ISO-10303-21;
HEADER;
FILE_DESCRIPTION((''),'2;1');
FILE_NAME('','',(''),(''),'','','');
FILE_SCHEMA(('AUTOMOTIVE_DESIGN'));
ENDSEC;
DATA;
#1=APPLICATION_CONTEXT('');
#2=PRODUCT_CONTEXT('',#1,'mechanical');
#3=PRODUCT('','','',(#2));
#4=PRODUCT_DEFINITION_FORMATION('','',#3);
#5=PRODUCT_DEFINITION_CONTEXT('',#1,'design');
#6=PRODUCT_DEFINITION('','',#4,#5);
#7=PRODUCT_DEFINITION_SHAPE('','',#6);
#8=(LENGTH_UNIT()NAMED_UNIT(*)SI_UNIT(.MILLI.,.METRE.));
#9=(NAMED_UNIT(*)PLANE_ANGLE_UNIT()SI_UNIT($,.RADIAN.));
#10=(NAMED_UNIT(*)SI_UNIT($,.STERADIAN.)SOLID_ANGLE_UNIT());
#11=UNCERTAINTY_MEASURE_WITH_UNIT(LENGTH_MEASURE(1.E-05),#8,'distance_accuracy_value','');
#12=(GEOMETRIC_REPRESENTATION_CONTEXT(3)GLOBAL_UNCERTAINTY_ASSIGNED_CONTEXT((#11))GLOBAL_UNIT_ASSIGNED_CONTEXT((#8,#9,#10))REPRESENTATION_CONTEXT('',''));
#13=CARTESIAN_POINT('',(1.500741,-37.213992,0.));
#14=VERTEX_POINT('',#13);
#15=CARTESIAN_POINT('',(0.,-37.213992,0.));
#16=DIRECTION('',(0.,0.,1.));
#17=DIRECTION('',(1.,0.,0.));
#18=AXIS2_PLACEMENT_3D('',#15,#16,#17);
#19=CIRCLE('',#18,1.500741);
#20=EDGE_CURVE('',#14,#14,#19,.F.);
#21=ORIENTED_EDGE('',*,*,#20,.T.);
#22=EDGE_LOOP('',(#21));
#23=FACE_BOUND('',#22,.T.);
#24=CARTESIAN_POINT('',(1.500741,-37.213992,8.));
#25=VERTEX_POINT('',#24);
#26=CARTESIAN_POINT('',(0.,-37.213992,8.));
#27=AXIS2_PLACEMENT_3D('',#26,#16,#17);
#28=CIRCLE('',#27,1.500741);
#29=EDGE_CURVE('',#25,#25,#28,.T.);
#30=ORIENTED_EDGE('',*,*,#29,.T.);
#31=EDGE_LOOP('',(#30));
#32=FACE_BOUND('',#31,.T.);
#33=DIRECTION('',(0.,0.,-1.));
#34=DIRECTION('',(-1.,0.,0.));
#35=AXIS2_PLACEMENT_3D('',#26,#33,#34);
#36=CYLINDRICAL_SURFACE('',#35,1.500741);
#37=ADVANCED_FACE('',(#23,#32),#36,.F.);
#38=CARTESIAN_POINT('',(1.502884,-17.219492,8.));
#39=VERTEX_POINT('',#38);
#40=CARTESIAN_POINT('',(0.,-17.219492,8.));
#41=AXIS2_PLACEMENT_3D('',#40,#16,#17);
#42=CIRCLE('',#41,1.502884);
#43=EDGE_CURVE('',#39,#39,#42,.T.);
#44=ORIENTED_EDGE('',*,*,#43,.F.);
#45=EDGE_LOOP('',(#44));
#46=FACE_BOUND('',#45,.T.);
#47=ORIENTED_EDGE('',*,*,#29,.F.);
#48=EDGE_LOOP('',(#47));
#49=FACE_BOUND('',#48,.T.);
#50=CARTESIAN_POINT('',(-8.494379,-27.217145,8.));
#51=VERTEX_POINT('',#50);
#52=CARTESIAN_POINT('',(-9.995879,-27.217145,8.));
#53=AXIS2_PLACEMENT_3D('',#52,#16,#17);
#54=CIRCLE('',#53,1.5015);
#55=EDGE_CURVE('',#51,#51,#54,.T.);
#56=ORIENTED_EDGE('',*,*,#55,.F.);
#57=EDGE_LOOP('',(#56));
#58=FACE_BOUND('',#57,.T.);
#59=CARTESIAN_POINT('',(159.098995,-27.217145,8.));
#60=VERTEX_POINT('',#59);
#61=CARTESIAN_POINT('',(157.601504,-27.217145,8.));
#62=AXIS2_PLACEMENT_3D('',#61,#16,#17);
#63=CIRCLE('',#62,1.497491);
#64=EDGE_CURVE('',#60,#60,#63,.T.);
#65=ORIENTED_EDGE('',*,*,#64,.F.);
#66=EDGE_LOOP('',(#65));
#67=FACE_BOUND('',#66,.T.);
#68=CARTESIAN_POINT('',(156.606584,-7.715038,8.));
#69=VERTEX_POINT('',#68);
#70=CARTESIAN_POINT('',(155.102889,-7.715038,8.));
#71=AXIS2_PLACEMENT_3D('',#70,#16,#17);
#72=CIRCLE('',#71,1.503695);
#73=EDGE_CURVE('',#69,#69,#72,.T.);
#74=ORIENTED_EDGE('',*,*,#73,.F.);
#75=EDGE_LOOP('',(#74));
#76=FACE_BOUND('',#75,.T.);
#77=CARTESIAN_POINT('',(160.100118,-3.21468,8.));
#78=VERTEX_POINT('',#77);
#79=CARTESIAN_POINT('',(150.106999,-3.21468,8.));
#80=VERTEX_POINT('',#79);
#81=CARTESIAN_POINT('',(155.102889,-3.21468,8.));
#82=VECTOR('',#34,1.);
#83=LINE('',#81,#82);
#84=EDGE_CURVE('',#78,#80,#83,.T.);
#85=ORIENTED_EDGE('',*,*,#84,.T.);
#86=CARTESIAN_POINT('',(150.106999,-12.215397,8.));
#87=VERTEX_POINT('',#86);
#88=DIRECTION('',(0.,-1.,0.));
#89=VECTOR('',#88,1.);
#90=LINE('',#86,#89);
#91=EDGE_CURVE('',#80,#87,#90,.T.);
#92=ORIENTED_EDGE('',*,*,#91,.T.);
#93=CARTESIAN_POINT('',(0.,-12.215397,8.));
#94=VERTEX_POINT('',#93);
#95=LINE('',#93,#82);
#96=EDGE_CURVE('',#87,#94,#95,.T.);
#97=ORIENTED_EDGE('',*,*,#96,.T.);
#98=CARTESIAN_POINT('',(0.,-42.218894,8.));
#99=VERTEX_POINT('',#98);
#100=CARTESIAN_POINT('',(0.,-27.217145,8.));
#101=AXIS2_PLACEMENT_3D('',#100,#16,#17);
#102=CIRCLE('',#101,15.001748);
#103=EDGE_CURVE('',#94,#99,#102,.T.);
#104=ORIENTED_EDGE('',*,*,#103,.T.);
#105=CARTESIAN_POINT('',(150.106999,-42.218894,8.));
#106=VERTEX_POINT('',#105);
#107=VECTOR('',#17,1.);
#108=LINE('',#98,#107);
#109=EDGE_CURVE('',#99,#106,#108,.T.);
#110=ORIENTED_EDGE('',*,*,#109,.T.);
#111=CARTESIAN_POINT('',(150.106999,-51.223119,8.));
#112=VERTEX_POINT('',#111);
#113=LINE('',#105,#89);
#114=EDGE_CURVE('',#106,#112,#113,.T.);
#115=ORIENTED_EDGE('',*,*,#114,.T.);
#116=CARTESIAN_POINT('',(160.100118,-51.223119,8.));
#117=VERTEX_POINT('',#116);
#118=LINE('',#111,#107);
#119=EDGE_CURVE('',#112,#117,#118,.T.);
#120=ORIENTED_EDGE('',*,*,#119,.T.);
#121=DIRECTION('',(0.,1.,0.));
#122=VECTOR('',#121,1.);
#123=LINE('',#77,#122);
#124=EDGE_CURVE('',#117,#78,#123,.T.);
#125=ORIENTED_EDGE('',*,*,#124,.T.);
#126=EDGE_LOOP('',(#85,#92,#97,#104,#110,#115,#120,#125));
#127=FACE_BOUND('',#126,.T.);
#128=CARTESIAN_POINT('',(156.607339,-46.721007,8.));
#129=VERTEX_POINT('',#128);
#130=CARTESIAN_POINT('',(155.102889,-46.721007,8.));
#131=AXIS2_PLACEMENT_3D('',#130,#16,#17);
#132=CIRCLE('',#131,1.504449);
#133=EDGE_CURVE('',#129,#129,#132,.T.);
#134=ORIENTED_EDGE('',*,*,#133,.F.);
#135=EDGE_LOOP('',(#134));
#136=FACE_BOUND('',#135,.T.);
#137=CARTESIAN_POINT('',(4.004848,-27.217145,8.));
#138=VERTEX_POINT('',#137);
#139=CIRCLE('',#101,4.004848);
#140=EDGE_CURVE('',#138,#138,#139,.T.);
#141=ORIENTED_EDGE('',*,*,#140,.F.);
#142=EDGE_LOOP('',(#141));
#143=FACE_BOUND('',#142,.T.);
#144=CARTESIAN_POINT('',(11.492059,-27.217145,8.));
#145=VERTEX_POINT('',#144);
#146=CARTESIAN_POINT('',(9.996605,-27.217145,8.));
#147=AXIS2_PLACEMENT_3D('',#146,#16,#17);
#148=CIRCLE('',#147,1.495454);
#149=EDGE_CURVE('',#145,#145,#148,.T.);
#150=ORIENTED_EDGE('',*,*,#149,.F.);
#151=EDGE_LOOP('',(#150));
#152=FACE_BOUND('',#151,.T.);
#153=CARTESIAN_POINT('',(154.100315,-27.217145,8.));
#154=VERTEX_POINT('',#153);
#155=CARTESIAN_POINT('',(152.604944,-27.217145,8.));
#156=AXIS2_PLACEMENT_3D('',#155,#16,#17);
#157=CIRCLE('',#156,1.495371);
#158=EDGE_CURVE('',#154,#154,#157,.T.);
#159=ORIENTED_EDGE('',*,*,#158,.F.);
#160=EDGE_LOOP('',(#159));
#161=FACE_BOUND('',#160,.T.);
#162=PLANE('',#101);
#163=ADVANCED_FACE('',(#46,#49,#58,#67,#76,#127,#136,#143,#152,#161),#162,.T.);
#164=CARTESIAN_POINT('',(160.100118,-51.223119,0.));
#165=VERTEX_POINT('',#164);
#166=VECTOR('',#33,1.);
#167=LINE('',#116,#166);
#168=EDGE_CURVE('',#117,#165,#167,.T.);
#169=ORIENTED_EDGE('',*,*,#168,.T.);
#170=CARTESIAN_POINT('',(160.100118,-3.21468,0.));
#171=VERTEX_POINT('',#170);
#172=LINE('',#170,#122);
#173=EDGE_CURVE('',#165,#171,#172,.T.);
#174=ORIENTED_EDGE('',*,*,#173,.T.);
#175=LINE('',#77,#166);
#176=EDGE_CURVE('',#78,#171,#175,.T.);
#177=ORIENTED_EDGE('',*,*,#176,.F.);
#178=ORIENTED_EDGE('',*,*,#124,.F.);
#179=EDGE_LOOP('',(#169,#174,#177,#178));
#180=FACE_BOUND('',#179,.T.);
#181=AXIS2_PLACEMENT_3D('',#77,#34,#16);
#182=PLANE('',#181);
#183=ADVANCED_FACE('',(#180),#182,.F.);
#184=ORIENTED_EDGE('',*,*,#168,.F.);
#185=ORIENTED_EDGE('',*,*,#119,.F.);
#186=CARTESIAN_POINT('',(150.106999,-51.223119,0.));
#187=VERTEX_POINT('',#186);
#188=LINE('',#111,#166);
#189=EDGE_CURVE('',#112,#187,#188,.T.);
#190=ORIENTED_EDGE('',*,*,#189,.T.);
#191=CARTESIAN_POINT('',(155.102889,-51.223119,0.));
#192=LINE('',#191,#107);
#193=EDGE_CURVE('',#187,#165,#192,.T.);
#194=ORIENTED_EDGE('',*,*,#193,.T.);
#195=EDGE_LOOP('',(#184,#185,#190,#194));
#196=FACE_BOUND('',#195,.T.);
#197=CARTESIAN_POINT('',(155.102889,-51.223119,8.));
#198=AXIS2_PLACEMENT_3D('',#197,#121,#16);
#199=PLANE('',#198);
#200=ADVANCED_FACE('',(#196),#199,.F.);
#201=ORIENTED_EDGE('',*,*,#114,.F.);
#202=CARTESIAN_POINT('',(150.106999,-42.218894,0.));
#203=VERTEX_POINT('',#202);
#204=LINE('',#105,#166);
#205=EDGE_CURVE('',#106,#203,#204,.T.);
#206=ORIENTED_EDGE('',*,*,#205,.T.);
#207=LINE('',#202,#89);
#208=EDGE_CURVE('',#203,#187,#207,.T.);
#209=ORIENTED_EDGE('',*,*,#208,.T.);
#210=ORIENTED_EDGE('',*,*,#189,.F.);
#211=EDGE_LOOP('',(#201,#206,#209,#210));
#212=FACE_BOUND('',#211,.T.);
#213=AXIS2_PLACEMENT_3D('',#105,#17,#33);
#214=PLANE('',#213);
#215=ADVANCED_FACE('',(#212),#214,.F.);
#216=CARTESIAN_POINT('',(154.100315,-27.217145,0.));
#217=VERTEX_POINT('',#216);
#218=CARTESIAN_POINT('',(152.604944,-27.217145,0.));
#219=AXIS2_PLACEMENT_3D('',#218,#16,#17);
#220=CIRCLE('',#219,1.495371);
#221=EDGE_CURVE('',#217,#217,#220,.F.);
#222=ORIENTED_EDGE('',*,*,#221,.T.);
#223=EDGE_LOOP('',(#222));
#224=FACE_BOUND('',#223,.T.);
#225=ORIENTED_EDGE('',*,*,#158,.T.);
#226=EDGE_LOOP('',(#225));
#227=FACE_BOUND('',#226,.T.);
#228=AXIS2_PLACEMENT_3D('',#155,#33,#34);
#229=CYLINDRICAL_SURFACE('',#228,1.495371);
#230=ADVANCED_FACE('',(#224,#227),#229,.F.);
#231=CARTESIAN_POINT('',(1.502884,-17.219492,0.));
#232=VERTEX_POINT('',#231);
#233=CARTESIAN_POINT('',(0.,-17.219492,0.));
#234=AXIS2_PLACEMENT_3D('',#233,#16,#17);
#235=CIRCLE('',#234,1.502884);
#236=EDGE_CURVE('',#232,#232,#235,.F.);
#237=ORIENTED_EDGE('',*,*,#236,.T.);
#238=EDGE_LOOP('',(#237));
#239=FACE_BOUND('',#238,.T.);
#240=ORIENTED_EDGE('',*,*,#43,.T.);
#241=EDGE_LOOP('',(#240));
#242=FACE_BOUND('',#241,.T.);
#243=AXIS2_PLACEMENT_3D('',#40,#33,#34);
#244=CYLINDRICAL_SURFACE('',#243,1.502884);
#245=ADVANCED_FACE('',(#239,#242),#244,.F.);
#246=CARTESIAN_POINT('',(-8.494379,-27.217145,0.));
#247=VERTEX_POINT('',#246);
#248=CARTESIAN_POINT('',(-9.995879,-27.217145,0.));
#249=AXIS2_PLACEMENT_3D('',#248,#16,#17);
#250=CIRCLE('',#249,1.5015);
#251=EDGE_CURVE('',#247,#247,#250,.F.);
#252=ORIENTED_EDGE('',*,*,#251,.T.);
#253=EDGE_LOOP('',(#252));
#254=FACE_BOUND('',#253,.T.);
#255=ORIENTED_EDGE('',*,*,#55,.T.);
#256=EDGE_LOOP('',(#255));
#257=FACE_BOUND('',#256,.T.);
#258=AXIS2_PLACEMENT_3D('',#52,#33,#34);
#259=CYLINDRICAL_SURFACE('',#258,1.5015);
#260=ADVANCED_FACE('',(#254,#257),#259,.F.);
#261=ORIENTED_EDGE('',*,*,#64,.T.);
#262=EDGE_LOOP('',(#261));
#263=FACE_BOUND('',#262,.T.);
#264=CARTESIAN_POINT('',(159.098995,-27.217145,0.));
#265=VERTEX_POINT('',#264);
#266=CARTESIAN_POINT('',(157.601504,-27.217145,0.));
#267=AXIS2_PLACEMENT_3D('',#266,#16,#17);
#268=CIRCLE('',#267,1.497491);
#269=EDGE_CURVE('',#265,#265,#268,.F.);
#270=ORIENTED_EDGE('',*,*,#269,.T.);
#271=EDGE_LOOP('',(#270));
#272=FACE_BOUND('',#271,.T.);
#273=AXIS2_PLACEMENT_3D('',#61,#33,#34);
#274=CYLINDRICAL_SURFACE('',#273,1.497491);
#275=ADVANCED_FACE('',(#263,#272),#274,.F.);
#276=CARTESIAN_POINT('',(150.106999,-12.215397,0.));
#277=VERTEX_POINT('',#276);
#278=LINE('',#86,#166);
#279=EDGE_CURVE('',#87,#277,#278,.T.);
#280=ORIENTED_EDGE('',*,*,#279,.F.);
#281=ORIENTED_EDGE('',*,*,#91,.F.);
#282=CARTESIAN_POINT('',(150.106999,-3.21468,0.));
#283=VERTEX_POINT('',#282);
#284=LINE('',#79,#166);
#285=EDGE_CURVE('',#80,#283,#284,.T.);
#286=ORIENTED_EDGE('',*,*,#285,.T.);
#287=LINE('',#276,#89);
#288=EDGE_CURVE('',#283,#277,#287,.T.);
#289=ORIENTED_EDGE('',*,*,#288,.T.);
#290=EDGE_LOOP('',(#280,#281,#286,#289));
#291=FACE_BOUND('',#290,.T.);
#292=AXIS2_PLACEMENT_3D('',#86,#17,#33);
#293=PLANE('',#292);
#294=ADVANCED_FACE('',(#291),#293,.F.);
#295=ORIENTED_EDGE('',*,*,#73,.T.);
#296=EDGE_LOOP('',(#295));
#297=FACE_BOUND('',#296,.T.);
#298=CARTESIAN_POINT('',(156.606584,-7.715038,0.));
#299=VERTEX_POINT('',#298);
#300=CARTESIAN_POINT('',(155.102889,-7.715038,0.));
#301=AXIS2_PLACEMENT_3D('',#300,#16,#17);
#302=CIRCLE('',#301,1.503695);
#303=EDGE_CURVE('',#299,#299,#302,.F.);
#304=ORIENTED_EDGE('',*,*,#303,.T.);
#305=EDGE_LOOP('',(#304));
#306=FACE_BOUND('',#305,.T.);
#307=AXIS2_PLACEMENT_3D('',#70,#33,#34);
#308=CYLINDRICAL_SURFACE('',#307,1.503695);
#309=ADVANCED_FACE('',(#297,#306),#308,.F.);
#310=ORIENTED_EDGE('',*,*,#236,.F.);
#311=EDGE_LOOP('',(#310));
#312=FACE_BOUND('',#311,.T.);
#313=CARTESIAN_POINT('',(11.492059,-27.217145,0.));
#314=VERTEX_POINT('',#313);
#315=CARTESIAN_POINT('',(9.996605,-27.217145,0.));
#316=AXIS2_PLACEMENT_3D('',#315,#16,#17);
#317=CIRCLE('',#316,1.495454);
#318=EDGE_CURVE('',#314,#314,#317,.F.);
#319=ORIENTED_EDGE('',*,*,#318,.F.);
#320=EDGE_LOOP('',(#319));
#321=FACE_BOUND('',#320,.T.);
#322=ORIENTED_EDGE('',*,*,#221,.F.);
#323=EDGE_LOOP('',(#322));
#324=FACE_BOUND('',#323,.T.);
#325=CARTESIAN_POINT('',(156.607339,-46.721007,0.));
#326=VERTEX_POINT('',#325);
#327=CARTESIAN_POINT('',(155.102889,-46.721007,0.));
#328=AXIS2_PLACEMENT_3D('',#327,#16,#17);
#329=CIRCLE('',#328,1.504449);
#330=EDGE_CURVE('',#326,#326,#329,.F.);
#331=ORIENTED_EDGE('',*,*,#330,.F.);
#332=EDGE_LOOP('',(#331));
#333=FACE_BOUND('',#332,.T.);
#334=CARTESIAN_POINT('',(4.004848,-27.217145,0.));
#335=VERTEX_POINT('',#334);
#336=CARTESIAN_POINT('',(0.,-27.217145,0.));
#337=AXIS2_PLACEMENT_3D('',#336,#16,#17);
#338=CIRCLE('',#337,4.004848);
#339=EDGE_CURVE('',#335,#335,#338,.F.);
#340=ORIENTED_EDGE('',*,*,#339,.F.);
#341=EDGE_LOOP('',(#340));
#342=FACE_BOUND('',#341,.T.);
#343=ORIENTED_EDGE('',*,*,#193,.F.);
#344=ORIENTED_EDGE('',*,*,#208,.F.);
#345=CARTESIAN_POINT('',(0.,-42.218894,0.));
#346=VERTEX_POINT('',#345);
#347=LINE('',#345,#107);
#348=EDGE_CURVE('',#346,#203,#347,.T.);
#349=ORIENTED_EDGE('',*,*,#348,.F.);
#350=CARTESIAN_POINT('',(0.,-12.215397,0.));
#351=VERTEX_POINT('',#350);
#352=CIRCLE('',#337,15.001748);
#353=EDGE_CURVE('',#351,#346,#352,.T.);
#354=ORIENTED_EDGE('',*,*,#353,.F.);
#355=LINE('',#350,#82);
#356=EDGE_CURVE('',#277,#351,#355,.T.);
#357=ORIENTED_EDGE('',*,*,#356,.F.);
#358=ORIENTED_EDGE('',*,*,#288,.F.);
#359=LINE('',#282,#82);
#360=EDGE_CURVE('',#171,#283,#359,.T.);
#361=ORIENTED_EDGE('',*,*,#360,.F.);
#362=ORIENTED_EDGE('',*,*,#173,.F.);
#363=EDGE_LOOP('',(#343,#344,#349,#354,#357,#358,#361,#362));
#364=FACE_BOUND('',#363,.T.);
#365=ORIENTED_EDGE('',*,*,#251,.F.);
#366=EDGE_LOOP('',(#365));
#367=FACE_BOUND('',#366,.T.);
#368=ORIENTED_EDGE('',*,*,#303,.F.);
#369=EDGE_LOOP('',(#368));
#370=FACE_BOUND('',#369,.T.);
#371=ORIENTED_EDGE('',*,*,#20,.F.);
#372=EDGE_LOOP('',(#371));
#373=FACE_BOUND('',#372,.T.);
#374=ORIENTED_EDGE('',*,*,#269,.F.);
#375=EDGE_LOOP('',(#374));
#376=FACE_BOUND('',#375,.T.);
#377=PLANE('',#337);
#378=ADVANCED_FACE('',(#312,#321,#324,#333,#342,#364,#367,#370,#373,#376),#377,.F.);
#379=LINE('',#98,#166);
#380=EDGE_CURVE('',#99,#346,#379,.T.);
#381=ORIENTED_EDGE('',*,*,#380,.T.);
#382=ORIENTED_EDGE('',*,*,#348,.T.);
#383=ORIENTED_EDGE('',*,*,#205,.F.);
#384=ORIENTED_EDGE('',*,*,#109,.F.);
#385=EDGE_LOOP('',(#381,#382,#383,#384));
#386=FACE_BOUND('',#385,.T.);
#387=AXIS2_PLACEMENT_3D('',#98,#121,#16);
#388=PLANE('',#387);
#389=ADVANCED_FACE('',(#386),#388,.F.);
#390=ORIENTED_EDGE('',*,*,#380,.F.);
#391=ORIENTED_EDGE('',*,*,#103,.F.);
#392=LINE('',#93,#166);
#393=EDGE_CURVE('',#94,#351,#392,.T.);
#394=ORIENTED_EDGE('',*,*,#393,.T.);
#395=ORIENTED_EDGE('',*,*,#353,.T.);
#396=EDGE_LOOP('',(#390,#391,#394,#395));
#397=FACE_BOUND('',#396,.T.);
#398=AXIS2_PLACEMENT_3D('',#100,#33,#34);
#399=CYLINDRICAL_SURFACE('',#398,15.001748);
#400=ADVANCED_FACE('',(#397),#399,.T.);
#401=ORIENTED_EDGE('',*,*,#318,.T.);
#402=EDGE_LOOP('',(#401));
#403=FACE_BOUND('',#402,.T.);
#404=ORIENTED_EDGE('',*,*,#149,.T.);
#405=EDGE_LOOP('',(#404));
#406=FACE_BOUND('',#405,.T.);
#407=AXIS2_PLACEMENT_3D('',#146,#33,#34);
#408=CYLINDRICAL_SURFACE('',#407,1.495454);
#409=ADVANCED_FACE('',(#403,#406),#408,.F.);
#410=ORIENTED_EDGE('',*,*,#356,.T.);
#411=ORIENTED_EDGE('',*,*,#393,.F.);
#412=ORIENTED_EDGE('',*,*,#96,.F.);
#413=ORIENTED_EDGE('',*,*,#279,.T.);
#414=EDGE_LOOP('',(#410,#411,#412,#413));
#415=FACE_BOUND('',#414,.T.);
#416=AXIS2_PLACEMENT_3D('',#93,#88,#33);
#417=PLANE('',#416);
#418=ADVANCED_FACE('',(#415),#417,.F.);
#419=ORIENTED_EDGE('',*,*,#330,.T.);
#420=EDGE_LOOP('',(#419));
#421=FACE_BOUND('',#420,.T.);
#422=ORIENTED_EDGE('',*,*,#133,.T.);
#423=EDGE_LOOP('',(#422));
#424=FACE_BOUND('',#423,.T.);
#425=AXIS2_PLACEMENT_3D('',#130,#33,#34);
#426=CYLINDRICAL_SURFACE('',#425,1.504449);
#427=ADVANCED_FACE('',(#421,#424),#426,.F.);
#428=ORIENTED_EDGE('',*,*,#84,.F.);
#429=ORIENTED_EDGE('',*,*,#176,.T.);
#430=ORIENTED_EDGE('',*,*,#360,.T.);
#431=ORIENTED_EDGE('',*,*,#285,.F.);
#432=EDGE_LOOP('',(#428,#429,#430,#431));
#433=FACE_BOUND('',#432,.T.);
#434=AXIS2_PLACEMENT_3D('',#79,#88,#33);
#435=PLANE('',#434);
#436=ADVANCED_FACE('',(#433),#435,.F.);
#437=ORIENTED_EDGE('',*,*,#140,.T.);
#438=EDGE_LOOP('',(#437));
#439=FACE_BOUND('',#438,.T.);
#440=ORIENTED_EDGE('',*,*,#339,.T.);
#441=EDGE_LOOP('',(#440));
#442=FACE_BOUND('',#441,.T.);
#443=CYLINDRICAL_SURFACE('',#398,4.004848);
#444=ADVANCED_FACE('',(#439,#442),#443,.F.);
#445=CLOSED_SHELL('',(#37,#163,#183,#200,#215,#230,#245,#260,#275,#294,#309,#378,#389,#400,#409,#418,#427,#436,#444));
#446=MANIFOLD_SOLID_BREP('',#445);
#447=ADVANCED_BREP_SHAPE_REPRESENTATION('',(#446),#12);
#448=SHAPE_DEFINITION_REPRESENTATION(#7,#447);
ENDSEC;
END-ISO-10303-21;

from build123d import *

# Parameters (mm, degrees)
BOSS_EXTRUDE1_DEPTH     = 8
CUT_EXTRUDE6_DEPTH      = 169.285043392
CUT_EXTRUDE6_DEPTH_BACK = 8
SKETCH6_R               = 4.004848267
SKETCH6_R_2             = 1.500740619
SKETCH6_R_3             = 1.502884449
SKETCH6_R_4             = 1.495453733
SKETCH6_R_5             = 1.501499852
SKETCH6_R_6             = 1.504449493
SKETCH6_R_7             = 1.503694776
SKETCH6_R_8             = 1.495371025
SKETCH6_R_9             = 1.497490914


with BuildPart() as part:
    # Sketch5 → Boss-Extrude1 (new body)
    with BuildSketch(Plane.XY):
        with BuildLine():
            Line((0, -42.218893529), (150.106998899, -42.218893529))
            Line((150.106998899, -42.218893529), (150.106998899, -51.223119472))
            Line((150.106998899, -51.223119472), (155.102889251, -51.223119472))
            Line((155.102889251, -51.223119472), (160.100118241, -51.223119472))
            Line((160.100118241, -51.223119472), (160.100118241, -3.214680099))
            Line((160.100118241, -3.214680099), (155.102889251, -3.214680099))
            Line((155.102889251, -3.214680099), (150.106998899, -3.214680099))
            Line((150.106998899, -3.214680099), (150.106998899, -12.215396897))
            Line((150.106998899, -12.215396897), (0, -12.215396897))
            ThreePointArc((0, -12.215396897), (-15.001748316, -27.217145213), (0, -42.218893529))
        make_face()
    extrude(amount=BOSS_EXTRUDE1_DEPTH)

    # Sketch6 → Cut-Extrude6 (cut, two sides: drawn at the far end of the back side and taken through both)
    with BuildSketch(Plane.XY.offset(-CUT_EXTRUDE6_DEPTH_BACK)):
        with Locations((0, -27.217145213)):
            Circle(SKETCH6_R)
        with Locations((0, -37.213991998)):
            Circle(SKETCH6_R_2)
        with Locations((0, -17.219491861)):
            Circle(SKETCH6_R_3)
        with Locations((9.996605481, -27.217145213)):
            Circle(SKETCH6_R_4)
        with Locations((-9.995878708, -27.217145213)):
            Circle(SKETCH6_R_5)
        with Locations((155.102889251, -46.721006501)):
            Circle(SKETCH6_R_6)
        with Locations((155.102889251, -7.715038498)):
            Circle(SKETCH6_R_7)
        with Locations((152.604944075, -27.217145213)):
            Circle(SKETCH6_R_8)
        with Locations((157.601503746, -27.217145213)):
            Circle(SKETCH6_R_9)
    extrude(amount=CUT_EXTRUDE6_DEPTH + CUT_EXTRUDE6_DEPTH_BACK, mode=Mode.SUBTRACT)


solid = part.part
